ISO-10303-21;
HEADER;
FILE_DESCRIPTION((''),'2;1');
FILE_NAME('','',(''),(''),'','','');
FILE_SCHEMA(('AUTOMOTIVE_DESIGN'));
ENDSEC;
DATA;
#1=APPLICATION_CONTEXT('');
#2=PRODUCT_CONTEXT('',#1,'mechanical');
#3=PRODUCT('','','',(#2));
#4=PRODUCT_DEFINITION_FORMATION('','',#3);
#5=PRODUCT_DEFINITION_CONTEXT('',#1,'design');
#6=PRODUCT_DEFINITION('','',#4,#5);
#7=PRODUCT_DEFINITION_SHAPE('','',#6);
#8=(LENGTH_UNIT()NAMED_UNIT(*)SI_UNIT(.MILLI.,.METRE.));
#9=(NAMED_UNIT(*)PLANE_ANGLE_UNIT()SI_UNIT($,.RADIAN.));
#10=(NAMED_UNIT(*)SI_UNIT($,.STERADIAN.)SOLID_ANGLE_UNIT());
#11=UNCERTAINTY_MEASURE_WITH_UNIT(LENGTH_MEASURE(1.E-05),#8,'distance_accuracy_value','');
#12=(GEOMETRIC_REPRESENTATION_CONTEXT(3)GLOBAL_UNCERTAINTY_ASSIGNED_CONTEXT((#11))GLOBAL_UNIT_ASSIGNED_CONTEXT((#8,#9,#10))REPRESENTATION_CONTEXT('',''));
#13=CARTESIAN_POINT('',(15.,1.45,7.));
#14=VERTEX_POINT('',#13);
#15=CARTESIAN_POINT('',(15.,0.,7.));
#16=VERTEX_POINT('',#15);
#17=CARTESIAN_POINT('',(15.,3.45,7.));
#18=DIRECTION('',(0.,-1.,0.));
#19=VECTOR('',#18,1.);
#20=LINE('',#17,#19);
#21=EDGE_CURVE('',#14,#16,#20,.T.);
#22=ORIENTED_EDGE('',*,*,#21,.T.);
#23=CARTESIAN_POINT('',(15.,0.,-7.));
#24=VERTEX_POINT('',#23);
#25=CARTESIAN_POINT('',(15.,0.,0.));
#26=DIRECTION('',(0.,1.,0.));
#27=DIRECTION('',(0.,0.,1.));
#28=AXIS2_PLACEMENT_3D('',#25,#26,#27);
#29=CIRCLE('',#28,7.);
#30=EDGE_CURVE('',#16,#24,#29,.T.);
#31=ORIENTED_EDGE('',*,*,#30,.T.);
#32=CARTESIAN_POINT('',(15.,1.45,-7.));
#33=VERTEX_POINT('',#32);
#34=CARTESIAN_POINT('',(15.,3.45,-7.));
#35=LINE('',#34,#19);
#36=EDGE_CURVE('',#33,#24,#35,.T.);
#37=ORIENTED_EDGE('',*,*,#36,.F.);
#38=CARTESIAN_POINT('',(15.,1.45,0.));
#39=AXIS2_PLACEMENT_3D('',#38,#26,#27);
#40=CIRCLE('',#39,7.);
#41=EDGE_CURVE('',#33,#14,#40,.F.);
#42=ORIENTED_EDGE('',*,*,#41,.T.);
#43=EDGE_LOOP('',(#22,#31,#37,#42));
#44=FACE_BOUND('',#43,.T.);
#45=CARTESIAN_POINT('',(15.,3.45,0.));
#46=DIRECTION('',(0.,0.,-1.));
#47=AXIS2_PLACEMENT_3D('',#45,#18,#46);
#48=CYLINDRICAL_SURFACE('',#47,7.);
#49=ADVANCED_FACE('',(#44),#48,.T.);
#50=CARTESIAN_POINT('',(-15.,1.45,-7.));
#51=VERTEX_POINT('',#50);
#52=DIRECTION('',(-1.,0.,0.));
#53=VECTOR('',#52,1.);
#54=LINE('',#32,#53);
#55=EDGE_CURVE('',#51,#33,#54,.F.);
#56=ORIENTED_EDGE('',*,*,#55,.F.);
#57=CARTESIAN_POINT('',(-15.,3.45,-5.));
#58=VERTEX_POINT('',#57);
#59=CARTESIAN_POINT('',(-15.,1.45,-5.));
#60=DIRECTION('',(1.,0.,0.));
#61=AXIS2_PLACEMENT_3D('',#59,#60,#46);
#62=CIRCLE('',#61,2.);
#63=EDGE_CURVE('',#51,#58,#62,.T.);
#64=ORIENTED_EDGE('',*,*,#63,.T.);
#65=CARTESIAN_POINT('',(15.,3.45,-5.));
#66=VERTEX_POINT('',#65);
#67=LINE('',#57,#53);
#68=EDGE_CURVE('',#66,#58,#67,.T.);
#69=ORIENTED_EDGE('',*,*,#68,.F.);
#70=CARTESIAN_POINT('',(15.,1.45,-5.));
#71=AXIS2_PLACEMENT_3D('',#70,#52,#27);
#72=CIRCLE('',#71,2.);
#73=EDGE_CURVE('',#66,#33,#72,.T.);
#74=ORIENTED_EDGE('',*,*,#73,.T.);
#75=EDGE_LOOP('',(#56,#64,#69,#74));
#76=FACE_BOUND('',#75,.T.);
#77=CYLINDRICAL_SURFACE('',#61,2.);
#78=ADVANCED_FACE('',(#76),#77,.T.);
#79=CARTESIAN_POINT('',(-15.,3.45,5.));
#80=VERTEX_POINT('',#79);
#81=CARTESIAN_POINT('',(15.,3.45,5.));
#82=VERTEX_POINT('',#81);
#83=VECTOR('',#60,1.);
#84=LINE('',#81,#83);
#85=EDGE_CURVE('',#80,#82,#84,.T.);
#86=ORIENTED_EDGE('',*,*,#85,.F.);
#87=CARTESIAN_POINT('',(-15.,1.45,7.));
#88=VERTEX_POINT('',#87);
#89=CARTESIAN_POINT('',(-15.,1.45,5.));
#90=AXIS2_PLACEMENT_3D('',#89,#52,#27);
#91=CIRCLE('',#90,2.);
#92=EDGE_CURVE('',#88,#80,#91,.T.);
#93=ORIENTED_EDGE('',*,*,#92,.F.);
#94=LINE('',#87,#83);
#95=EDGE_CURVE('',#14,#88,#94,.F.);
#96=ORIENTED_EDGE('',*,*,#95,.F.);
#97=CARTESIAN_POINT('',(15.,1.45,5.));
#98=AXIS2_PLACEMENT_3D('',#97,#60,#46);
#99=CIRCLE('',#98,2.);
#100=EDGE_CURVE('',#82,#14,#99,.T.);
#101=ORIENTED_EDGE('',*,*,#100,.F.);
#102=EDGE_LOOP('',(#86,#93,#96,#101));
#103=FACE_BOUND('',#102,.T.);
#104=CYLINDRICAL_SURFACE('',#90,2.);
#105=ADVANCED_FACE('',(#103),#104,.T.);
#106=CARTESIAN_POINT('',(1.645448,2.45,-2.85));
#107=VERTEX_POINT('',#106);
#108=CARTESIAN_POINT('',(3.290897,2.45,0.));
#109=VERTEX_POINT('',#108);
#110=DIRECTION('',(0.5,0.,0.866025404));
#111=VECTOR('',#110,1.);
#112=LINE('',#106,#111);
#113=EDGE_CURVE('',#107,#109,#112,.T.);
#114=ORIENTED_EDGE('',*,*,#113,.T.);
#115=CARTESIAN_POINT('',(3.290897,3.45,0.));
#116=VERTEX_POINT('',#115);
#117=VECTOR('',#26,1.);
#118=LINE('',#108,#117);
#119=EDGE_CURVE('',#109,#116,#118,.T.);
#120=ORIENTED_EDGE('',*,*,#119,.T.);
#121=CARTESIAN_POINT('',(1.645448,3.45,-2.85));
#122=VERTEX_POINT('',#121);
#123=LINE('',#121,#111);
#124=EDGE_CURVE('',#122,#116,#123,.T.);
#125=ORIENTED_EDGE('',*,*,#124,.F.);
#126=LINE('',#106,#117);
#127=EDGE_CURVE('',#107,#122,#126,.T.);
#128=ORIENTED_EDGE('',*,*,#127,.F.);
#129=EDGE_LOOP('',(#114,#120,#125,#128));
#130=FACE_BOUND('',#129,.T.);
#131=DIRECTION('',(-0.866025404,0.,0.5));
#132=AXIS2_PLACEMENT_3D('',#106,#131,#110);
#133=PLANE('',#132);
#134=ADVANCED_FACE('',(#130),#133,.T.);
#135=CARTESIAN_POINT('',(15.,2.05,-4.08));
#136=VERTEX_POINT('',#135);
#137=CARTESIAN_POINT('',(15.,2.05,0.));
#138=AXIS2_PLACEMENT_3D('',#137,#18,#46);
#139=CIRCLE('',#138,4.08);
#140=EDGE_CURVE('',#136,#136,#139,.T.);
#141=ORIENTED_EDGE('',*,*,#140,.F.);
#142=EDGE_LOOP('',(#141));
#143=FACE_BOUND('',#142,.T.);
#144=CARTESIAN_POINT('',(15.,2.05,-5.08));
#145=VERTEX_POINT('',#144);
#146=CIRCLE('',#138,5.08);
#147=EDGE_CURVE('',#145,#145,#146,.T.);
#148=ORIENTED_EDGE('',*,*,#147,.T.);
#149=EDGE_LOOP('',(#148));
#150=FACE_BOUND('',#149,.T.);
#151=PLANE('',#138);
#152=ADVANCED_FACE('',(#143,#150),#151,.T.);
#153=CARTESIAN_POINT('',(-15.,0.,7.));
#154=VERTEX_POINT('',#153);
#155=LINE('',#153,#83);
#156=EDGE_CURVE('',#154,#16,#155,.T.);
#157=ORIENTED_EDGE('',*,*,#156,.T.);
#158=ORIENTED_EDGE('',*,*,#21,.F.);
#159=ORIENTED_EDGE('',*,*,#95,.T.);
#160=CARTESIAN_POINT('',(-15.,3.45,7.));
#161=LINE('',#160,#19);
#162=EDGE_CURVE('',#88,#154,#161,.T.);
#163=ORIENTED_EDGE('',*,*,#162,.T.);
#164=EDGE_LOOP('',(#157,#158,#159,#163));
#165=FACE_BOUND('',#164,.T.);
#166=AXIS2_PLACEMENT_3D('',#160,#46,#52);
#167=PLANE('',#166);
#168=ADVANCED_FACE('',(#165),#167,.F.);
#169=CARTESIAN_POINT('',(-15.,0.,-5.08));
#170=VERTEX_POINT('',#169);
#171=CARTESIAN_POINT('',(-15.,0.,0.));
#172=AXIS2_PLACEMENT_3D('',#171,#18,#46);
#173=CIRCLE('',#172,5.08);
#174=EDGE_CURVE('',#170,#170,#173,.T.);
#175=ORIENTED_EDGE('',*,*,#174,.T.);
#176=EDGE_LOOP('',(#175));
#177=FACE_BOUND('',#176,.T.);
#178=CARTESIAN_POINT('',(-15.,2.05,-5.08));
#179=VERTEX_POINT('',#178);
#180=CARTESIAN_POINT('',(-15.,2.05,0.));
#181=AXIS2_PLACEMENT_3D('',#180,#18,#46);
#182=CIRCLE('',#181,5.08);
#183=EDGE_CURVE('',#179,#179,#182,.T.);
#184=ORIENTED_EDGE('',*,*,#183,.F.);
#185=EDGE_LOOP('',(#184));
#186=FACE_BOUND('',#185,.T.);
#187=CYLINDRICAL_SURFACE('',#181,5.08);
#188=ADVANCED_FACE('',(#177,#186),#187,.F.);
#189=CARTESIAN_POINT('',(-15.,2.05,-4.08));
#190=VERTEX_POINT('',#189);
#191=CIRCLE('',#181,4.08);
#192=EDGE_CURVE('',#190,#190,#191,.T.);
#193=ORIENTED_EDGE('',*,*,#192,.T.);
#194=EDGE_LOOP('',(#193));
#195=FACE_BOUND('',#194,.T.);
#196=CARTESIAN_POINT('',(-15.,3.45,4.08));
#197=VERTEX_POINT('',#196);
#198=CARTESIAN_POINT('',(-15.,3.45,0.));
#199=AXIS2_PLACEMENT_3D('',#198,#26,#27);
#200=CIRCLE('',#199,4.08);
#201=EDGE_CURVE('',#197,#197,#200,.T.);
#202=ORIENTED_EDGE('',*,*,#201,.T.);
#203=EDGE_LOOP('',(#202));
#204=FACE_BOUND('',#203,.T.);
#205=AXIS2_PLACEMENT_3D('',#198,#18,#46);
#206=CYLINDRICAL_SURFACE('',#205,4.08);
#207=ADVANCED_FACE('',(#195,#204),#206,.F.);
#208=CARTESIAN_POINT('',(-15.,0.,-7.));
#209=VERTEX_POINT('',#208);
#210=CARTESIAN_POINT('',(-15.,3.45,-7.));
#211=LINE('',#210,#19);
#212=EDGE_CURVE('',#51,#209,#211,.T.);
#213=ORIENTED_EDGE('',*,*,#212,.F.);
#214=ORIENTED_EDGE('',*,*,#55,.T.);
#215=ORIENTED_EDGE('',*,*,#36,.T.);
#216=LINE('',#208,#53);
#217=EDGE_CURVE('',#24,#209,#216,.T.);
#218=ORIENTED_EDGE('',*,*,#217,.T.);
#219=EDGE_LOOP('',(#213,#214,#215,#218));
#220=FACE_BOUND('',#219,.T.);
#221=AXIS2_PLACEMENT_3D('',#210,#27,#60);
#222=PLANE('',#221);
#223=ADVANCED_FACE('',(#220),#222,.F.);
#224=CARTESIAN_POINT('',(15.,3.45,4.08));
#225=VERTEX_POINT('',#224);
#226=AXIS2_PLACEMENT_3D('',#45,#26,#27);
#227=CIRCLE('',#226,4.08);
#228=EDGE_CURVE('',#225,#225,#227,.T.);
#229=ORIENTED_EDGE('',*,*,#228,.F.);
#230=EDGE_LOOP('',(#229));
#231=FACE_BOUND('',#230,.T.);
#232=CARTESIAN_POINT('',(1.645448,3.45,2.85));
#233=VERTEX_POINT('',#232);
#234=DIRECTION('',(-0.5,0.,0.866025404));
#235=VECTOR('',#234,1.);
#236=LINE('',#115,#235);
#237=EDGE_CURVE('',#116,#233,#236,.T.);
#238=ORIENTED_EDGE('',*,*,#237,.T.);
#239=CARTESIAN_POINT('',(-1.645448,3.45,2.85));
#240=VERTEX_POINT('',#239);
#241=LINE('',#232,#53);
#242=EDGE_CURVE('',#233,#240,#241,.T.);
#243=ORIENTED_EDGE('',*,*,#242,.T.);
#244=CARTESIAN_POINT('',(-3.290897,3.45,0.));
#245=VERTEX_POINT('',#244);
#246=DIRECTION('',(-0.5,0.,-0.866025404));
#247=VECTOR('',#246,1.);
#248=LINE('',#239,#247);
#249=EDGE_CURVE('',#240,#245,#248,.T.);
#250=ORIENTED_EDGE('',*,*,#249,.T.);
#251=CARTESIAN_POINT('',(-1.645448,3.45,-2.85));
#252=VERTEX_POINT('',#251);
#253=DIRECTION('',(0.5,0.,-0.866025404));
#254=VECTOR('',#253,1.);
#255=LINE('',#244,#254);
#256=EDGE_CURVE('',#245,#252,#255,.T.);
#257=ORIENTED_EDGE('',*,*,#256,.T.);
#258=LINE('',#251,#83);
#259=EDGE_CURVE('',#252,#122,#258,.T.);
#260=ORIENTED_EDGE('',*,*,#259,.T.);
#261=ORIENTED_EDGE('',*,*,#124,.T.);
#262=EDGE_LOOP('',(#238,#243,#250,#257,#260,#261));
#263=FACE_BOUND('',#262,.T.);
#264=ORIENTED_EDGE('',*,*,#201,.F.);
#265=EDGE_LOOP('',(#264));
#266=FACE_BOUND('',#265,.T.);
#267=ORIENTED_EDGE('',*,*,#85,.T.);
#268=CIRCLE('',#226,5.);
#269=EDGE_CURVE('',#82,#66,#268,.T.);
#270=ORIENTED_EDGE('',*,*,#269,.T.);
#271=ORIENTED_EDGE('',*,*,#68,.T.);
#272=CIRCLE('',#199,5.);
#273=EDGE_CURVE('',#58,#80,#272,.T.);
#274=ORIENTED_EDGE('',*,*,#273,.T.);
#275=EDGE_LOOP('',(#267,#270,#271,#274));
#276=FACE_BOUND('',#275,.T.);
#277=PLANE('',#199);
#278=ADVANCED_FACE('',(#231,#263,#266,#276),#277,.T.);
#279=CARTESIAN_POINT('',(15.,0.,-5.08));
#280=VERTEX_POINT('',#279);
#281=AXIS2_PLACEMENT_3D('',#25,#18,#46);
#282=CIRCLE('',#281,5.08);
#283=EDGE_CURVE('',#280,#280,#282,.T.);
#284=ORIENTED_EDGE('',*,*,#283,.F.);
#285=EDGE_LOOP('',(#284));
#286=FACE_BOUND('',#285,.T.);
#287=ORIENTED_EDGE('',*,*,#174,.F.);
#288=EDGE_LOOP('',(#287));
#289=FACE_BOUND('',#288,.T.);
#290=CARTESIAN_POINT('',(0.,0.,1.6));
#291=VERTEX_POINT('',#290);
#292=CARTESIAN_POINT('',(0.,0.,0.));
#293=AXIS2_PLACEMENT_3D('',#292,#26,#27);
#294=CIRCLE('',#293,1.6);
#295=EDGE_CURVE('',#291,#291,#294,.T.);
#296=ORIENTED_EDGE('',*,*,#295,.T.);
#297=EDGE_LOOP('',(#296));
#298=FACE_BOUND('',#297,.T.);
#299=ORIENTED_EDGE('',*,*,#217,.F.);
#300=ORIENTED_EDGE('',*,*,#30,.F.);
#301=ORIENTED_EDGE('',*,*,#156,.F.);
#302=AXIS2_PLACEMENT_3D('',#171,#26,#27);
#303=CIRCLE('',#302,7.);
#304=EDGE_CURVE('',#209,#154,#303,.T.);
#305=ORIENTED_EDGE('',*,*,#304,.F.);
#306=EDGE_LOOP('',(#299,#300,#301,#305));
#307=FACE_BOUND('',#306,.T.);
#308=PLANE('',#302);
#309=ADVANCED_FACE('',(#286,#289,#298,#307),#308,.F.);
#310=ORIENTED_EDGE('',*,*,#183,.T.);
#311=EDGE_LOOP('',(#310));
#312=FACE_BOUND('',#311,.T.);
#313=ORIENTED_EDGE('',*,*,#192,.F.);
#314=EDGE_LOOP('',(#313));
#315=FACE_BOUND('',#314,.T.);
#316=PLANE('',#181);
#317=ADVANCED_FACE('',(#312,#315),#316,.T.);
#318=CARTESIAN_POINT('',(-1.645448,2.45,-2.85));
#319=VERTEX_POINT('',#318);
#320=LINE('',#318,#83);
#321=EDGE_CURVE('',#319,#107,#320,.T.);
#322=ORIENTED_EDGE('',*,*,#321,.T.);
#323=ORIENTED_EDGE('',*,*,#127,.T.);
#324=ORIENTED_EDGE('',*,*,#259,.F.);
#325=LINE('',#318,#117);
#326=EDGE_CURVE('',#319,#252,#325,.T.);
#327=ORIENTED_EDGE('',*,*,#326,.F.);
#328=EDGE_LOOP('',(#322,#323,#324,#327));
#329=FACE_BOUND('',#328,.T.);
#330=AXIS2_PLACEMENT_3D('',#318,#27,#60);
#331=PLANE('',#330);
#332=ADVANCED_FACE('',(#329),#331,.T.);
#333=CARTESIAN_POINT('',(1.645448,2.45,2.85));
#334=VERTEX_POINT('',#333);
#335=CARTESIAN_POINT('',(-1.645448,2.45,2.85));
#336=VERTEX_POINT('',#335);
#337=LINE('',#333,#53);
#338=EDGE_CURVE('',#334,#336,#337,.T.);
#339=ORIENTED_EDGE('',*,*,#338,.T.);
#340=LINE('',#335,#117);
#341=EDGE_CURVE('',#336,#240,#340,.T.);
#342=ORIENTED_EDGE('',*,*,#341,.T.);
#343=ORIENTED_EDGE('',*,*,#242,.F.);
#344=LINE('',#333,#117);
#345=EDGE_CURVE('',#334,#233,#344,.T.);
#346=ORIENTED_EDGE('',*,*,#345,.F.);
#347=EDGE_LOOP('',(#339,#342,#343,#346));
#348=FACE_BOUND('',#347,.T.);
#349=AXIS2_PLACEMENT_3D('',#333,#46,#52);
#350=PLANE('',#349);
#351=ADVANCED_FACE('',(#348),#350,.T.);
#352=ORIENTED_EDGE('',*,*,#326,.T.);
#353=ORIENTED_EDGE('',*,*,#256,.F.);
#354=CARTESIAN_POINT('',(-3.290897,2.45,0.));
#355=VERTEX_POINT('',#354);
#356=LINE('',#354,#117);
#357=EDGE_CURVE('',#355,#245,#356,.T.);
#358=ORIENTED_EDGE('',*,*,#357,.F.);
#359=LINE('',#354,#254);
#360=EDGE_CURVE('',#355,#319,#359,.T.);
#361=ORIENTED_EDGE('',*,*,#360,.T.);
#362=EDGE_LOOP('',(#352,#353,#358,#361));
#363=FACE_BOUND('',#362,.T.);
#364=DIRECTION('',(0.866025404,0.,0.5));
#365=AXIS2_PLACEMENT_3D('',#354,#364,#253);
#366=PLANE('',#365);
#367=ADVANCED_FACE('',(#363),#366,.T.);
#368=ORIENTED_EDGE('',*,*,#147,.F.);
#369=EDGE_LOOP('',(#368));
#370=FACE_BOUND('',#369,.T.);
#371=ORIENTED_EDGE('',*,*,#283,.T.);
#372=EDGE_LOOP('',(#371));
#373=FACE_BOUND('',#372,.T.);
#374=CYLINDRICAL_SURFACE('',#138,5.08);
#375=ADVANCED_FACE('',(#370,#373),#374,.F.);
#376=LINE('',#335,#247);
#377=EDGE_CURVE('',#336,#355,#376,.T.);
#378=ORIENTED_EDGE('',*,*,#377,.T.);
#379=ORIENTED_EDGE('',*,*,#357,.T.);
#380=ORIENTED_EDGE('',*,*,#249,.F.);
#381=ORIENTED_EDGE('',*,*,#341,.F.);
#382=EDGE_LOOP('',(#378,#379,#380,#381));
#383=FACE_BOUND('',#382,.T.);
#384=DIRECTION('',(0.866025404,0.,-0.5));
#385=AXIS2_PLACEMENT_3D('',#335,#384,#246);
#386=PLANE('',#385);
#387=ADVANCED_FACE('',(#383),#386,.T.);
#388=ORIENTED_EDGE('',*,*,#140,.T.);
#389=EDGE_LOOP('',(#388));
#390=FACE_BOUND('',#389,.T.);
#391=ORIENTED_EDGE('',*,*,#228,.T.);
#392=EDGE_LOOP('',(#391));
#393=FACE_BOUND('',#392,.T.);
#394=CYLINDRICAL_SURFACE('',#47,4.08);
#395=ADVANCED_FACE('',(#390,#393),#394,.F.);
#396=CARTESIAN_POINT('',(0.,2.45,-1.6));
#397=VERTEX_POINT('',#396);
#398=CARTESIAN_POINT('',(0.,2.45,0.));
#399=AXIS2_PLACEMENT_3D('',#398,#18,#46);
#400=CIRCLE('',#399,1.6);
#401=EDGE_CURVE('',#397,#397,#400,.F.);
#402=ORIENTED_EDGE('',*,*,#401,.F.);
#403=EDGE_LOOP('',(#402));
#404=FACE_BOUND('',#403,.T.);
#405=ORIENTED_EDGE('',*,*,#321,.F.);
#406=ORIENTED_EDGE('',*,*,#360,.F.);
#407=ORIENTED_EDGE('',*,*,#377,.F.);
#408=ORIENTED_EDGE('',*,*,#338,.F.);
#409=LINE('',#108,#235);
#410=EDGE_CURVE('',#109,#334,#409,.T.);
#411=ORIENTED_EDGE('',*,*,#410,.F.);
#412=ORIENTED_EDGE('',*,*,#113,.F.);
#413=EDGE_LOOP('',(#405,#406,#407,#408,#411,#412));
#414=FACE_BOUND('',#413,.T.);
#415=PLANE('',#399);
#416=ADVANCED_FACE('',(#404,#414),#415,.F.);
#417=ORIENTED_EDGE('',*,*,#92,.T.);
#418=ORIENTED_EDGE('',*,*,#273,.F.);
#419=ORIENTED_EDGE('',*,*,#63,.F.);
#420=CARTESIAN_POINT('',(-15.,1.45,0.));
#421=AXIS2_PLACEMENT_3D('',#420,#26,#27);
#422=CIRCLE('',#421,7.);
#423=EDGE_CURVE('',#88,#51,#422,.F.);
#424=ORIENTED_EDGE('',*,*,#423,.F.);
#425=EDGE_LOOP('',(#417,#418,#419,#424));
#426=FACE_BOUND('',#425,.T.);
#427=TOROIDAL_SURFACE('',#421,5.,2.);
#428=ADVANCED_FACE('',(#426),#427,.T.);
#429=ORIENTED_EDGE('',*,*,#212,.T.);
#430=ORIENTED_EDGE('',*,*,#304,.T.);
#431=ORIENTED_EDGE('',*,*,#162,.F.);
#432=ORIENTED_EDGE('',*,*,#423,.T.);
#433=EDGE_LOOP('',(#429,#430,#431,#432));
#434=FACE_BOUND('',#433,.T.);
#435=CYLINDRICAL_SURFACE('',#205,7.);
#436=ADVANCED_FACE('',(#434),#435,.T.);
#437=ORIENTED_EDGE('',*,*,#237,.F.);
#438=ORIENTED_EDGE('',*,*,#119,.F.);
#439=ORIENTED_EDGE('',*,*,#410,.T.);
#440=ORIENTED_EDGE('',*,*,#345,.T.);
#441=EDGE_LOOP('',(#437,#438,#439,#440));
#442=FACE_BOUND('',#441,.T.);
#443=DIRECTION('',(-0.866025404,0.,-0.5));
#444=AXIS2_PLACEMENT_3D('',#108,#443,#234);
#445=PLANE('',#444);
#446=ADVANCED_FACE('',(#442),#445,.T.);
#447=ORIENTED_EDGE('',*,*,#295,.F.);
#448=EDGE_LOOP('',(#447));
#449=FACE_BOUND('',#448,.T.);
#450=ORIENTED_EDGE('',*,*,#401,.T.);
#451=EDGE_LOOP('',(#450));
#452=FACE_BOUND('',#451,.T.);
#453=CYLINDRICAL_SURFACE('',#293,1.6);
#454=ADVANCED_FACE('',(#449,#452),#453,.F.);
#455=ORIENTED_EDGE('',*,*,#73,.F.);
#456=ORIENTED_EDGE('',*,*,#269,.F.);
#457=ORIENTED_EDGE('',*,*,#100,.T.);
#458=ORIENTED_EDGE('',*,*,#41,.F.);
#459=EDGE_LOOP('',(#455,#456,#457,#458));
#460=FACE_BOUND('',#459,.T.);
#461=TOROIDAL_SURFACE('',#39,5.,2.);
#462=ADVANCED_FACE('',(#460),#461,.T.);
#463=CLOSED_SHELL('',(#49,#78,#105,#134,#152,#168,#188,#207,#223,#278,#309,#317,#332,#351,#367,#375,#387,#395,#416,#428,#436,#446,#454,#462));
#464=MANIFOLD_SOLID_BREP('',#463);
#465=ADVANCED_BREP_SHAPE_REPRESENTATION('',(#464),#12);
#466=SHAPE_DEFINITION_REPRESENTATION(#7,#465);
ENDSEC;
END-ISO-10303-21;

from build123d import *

# Parameters (mm, degrees)
SKETCH1_R           = 4.08
BOSS_EXTRUDE1_DEPTH = 3.45
SKETCH2_R           = 1.6
CUT_EXTRUDE1_DEPTH  = 3.45
CUT_EXTRUDE2_DEPTH  = 1
SKETCH4_R           = 5.08
CUT_EXTRUDE3_DEPTH  = 2.05
FILLET1_R           = 2


with BuildPart() as part:
    # Sketch1 → Boss-Extrude1 (new body)
    with BuildSketch(Plane(origin=(0, 0, 0), x_dir=(1, 0, 0), z_dir=(0, 1, 0))):
        with BuildLine():
            Line((-15, 7), (15, 7))
            ThreePointArc((15, 7), (22, 0), (15, -7))
            Line((15, -7), (-15, -7))
            ThreePointArc((-15, -7), (-22, 0), (-15, 7))
        make_face()
        with Locations((-15, 0)):
            Circle(SKETCH1_R, mode=Mode.SUBTRACT)
        with Locations((15, 0)):
            Circle(SKETCH1_R, mode=Mode.SUBTRACT)
    extrude(amount=BOSS_EXTRUDE1_DEPTH)

    # Sketch2 → Cut-Extrude1 (cut)
    with BuildSketch(Plane(origin=(0, 3.45, 0), x_dir=(1, 0, 0), z_dir=(0, 1, 0))):
        Circle(SKETCH2_R)
    extrude(amount=-CUT_EXTRUDE1_DEPTH, mode=Mode.SUBTRACT)

    # Sketch3 → Cut-Extrude2 (cut)
    with BuildSketch(Plane(origin=(0, 3.45, 0), x_dir=(1, 0, 0), z_dir=(0, 1, 0))):
        Polygon((-1.645448267, 2.85), (1.645448267, 2.85), (3.290896534, 0), (1.645448267, -2.85), (-1.645448267, -2.85), (-3.290896534, 0), align=None)
    extrude(amount=-CUT_EXTRUDE2_DEPTH, mode=Mode.SUBTRACT)

    # Sketch4 → Cut-Extrude3 (cut)
    with BuildSketch(Plane.XZ):
        with Locations((-15, 0)):
            Circle(SKETCH4_R)
        with Locations((15, 0)):
            Circle(SKETCH4_R)
    extrude(amount=-CUT_EXTRUDE3_DEPTH, mode=Mode.SUBTRACT)

    # Fillet1
    fillet1_edges = [part.edges().sort_by_distance(p)[0] for p in [
        (22, 3.45, 0),
        (0, 3.45, -7),
        (-22, 3.45, 0),
        (0, 3.45, 7),
    ]]
    fillet(fillet1_edges, radius=FILLET1_R)


solid = part.part
